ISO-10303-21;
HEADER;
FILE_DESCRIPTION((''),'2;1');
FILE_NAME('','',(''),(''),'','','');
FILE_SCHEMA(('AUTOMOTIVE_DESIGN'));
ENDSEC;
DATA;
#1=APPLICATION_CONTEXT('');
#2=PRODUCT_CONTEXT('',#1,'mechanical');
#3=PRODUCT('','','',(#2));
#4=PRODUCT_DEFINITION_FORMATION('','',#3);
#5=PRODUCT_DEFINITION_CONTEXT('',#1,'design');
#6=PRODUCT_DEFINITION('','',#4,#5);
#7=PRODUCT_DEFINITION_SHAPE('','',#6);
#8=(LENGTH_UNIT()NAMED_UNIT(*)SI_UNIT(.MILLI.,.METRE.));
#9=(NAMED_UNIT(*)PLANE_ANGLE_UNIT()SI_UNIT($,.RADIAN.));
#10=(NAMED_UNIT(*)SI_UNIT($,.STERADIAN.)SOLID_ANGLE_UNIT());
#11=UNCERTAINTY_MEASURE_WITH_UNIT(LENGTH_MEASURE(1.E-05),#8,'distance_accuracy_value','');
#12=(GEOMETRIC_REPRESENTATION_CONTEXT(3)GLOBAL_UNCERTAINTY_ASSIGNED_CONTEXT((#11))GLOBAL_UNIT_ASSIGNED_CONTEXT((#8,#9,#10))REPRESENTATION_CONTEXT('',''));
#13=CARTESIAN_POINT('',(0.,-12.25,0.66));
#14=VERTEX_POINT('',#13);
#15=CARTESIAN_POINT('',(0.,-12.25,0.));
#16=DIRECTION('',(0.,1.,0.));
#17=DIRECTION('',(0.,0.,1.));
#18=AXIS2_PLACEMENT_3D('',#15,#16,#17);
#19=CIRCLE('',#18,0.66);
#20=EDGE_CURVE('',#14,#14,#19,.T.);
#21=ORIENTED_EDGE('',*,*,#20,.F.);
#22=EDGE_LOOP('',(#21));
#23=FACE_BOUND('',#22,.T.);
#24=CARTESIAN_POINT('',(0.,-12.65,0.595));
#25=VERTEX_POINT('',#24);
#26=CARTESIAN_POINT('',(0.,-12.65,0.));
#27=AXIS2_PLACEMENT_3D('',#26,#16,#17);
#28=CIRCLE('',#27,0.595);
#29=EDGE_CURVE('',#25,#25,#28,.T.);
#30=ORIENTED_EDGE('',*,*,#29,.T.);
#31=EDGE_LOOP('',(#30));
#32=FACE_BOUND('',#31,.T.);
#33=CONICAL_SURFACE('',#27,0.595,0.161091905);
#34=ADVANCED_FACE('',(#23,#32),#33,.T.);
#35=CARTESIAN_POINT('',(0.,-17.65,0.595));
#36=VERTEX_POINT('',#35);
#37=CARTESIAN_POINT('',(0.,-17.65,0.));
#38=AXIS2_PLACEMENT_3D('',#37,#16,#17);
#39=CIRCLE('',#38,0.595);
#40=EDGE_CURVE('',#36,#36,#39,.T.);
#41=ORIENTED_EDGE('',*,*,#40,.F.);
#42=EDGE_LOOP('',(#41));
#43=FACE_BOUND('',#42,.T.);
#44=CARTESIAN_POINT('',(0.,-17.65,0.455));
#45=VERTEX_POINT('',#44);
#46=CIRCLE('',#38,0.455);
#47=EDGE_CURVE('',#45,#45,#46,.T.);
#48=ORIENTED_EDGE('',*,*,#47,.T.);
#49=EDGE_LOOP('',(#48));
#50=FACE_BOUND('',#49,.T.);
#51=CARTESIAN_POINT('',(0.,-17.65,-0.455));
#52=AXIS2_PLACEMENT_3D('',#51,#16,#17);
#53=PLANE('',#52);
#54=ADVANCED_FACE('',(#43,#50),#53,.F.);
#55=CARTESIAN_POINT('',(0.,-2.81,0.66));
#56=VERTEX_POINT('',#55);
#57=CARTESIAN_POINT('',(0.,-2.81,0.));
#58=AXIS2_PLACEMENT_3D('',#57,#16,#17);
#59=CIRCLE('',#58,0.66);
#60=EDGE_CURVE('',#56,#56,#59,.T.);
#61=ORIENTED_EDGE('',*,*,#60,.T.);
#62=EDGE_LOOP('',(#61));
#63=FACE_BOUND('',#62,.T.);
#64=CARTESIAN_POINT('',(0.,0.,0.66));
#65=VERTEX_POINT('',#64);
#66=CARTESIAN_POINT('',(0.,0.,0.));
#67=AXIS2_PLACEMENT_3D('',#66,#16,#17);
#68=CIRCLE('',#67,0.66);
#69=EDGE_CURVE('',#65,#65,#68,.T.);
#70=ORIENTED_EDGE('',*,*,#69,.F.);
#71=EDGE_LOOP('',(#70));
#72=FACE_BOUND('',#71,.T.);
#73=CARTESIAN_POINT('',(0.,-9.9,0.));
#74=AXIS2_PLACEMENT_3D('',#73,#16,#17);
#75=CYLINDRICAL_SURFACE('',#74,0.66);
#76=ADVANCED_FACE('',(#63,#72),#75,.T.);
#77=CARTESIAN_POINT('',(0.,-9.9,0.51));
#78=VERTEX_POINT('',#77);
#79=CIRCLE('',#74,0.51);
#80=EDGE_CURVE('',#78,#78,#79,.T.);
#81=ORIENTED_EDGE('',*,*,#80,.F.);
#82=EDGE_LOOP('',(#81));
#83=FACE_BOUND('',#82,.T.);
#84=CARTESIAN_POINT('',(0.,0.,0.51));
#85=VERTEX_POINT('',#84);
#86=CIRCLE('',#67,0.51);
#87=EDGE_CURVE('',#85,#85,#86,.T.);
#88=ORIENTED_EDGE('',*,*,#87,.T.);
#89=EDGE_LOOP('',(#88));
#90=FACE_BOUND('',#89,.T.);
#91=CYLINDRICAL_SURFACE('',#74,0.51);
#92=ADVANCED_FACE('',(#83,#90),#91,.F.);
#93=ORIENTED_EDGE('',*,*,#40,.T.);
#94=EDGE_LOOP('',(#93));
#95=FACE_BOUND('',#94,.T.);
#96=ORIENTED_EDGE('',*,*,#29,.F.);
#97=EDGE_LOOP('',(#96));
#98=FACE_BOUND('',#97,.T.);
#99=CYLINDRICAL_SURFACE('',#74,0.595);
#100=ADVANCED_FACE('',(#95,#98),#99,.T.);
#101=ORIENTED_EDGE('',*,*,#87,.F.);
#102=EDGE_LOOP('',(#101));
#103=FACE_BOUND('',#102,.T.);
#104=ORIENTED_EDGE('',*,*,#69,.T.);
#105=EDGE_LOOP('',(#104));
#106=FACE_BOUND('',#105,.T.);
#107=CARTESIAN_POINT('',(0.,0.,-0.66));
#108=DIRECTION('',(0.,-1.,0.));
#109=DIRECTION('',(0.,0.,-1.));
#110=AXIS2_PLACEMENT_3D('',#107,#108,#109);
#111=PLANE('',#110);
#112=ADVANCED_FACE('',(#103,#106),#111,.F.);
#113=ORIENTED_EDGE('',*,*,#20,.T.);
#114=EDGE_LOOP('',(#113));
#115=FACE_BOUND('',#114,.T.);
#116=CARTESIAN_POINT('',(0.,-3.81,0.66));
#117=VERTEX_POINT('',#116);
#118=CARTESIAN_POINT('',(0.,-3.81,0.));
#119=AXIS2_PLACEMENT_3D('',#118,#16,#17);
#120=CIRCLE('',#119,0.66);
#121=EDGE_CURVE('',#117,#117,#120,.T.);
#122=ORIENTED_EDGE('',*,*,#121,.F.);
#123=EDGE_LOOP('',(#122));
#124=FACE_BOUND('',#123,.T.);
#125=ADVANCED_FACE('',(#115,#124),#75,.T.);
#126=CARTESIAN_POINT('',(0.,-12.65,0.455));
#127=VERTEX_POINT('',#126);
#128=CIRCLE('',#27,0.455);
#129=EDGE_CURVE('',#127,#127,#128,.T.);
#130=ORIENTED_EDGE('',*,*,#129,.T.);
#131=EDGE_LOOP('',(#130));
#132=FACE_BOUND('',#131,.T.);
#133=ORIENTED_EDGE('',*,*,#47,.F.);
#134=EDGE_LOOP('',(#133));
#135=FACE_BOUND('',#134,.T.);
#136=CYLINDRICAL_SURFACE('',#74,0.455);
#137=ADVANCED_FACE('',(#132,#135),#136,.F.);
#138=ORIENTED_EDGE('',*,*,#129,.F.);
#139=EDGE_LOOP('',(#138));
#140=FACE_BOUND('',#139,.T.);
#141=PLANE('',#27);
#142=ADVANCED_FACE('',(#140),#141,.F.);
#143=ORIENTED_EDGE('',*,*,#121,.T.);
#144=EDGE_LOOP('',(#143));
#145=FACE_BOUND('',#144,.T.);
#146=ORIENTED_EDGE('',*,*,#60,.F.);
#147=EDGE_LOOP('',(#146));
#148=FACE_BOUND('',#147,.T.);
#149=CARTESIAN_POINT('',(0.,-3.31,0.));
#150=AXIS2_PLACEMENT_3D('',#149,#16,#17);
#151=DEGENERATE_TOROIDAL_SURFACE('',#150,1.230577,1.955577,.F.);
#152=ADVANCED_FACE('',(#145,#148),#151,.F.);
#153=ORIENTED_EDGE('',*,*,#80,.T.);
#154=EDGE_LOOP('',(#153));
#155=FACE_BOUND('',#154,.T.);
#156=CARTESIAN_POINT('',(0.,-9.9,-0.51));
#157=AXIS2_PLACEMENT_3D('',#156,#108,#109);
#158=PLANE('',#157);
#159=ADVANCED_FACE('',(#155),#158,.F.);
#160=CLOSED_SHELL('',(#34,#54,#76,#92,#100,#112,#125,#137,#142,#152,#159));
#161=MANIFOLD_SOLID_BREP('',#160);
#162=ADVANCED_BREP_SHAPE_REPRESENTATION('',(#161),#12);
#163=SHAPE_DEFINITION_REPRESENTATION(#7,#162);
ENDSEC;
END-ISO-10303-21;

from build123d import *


with BuildPart() as part:
    # Sketch1 → Revolve1 (revolve)
    with BuildSketch(Plane(origin=(0, 0, 0), x_dir=(0, 0, -1), z_dir=(1, 0, 0)), mode=Mode.PRIVATE) as revolve1_sk:
        with BuildLine():
            Line((0.51, 0), (0.51, -9.9))
            Line((0.51, -9.9), (0, -9.9))
            Line((0, -9.9), (0, -12.65))
            Line((0, -12.65), (0.455, -12.65))
            Line((0.455, -12.65), (0.455, -17.65))
            Line((0.455, -17.65), (0.595, -17.65))
            Line((0.595, -17.65), (0.595, -12.65))
            Line((0.595, -12.65), (0.66, -12.25))
            Line((0.66, -12.25), (0.66, -3.81))
            ThreePointArc((0.66, -3.81), (0.725, -3.31), (0.66, -2.81))
            Line((0.66, -2.81), (0.66, 0))
            Line((0.66, 0), (0.51, 0))
        make_face()
    revolve(revolve1_sk.sketch.rotate(Axis((0, -9.9, 0), (0, -1, 0)), 180), axis=Axis((0, -9.9, 0), (0, -1, 0)))


solid = part.part
